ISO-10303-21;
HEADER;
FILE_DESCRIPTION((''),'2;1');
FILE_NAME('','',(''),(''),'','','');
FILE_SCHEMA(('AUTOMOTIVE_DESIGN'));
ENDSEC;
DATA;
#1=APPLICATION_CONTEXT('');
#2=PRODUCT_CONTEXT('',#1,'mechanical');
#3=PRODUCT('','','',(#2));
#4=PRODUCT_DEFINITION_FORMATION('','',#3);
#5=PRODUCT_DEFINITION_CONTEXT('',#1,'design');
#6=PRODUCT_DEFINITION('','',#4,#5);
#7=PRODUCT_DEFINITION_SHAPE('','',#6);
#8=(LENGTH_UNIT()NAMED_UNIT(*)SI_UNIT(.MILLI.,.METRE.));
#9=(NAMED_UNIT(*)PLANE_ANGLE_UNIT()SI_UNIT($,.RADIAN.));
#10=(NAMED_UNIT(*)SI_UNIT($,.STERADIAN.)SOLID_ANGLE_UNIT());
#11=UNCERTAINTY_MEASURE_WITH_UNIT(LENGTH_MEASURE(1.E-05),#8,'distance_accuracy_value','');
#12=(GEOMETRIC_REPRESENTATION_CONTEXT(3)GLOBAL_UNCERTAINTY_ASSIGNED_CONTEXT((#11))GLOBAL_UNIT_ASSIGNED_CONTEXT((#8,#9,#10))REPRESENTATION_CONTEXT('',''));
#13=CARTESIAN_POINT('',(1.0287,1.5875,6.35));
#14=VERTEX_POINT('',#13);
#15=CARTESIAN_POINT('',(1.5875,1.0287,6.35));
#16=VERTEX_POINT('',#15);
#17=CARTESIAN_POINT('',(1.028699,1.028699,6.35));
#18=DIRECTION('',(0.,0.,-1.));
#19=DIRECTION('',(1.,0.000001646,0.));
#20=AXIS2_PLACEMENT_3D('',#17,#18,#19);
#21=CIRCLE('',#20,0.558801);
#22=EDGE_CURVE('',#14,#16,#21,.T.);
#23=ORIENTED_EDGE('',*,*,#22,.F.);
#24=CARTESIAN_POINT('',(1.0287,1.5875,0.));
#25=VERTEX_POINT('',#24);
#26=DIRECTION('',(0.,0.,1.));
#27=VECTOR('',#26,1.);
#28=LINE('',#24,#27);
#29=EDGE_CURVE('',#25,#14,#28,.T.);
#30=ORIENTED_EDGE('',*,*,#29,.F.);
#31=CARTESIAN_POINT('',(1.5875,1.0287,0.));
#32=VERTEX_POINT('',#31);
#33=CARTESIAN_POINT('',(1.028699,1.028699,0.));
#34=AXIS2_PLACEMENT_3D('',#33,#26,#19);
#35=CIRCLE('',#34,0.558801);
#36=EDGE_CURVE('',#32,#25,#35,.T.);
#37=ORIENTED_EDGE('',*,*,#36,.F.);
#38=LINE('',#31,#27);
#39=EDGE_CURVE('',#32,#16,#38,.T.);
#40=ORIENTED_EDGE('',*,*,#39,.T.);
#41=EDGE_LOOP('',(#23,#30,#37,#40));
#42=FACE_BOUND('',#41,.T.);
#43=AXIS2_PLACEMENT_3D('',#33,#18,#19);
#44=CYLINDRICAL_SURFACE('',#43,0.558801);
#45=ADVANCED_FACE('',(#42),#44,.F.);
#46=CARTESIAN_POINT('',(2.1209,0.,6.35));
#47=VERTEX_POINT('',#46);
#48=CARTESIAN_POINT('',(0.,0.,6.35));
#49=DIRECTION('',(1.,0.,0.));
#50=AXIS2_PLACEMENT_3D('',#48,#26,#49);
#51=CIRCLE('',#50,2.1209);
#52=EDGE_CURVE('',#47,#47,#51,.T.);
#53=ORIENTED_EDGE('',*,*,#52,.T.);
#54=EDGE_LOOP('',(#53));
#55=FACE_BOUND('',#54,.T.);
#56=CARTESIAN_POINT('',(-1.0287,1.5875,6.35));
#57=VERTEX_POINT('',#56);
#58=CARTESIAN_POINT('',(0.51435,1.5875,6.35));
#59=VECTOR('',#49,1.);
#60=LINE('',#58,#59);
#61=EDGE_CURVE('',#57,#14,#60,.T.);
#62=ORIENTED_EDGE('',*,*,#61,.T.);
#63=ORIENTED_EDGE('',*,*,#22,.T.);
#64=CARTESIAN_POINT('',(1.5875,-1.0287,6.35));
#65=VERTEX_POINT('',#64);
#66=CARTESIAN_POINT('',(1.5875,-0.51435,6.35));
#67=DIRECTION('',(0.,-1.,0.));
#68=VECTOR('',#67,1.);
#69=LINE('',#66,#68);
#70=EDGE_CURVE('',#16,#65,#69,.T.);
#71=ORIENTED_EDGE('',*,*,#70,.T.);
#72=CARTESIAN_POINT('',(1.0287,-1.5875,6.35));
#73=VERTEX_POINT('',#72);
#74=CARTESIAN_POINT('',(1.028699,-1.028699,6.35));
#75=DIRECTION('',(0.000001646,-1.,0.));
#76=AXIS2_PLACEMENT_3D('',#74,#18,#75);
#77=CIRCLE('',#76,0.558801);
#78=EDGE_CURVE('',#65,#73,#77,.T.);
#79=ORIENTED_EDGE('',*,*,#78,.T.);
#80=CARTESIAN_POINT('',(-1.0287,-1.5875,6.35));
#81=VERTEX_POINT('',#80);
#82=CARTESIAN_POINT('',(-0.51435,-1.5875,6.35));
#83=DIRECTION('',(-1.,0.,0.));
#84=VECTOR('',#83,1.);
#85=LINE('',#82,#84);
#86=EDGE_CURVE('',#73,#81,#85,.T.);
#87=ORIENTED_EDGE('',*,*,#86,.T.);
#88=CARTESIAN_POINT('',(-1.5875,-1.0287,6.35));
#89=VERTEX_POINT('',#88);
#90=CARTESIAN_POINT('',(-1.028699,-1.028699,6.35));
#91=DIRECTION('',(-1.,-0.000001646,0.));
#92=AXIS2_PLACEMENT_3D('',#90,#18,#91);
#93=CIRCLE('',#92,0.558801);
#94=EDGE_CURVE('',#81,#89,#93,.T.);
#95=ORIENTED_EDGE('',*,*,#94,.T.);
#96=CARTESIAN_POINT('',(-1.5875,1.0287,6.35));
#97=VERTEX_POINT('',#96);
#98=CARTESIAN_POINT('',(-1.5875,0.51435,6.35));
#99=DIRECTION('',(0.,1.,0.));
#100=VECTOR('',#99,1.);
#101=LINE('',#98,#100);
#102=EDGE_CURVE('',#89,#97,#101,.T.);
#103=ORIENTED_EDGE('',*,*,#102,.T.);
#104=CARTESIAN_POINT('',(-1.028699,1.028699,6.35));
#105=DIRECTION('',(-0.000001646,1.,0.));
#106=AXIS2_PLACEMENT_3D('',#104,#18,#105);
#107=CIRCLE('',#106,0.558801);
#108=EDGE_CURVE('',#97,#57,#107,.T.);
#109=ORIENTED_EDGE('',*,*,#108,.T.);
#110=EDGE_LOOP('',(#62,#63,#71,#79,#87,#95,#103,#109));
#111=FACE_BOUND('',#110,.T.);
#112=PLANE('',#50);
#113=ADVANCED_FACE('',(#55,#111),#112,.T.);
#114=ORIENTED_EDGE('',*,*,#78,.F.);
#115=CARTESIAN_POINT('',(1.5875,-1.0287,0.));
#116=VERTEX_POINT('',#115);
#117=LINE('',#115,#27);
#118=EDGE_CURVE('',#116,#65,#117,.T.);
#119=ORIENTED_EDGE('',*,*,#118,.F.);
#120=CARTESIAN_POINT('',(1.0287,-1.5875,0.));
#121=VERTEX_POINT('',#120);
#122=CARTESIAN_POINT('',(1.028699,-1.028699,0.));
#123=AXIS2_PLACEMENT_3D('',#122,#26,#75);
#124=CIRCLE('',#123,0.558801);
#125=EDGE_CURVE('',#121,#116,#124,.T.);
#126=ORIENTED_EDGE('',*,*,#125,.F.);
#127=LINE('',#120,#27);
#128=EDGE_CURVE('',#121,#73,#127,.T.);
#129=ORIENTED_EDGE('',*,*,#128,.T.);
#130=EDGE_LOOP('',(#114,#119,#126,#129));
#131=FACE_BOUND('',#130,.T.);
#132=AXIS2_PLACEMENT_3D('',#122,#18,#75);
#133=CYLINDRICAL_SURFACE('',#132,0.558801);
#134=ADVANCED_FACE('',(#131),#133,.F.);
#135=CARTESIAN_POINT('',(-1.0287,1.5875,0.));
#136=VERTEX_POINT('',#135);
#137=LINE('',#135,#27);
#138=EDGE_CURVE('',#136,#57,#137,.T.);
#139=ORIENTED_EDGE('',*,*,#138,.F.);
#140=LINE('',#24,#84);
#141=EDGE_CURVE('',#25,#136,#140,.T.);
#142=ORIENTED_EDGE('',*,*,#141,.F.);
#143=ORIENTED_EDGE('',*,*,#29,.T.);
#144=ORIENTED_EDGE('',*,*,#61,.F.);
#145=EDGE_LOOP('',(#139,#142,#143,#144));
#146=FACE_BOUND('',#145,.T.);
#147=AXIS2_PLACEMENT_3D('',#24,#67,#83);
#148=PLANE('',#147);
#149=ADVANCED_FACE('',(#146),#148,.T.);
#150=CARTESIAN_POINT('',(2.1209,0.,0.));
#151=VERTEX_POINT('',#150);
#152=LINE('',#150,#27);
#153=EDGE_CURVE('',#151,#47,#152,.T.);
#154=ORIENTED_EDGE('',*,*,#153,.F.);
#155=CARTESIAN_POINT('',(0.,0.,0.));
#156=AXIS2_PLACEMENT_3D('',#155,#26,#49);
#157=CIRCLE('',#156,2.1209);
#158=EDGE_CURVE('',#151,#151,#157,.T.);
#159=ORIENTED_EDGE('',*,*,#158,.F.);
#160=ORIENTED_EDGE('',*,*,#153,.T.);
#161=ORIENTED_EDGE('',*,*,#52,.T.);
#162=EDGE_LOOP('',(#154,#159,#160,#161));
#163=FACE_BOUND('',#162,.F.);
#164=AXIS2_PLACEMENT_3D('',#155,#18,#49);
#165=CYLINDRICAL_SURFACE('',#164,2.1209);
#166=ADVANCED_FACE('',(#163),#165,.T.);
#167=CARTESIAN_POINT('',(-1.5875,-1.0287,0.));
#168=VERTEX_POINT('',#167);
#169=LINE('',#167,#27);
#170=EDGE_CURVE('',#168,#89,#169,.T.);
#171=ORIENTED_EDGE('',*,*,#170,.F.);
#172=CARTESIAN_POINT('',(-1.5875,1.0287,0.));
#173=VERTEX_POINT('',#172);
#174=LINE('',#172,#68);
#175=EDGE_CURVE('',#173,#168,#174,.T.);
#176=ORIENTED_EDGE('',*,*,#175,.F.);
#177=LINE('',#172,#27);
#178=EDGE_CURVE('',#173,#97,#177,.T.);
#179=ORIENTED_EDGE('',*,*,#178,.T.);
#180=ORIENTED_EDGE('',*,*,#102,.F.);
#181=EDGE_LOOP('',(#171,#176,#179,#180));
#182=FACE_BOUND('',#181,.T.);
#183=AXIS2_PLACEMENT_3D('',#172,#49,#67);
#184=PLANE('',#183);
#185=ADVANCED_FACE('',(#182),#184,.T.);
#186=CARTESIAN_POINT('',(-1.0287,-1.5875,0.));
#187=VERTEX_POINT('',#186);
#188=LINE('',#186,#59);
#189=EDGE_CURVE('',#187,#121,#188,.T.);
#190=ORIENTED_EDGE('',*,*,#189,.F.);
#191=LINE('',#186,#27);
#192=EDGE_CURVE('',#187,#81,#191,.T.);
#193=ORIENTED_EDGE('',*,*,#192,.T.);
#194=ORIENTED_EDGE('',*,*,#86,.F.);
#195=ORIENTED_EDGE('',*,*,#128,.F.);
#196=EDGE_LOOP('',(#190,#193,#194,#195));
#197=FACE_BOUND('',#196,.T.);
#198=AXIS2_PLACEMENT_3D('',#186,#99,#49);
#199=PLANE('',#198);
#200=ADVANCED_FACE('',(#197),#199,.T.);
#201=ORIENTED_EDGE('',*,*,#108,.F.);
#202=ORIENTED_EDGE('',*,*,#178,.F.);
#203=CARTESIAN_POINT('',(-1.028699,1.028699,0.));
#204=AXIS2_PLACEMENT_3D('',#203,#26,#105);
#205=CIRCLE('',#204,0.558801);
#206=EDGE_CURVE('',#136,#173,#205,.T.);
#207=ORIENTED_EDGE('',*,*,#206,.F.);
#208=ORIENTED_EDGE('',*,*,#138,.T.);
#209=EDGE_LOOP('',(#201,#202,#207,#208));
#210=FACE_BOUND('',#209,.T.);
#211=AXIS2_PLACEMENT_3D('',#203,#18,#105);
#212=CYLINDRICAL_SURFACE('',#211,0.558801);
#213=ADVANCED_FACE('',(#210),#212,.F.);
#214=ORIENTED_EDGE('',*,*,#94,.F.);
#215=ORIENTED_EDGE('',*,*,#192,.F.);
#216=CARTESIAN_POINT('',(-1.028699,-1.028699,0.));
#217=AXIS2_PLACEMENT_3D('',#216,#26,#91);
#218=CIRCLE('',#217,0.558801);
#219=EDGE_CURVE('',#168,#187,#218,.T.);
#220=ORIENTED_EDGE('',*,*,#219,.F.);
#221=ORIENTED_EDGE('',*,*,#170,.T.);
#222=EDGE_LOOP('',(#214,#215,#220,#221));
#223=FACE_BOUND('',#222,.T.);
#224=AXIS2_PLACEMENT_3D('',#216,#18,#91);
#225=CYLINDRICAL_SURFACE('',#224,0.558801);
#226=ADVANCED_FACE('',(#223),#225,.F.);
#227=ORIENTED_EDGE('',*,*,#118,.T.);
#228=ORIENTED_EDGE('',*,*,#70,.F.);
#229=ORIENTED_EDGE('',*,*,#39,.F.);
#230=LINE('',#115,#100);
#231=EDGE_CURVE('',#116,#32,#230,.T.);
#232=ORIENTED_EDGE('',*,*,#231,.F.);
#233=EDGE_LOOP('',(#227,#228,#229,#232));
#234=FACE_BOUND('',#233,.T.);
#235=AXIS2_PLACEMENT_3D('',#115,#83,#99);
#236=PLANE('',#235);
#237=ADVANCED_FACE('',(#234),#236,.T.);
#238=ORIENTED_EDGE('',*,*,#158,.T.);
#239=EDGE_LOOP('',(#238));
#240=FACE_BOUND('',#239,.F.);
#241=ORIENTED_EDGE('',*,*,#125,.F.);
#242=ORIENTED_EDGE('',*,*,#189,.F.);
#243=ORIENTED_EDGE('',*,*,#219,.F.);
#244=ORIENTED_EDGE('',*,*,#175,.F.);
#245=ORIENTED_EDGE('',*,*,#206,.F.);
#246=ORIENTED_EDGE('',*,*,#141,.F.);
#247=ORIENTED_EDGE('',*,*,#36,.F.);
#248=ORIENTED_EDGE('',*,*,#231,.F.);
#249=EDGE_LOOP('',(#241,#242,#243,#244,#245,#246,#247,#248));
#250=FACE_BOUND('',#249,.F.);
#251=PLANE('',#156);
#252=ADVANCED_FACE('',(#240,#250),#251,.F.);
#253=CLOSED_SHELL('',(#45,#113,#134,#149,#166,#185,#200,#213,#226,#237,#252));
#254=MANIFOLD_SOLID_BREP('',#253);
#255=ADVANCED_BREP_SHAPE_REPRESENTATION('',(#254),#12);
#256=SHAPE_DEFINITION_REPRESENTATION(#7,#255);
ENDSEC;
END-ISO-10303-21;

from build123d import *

# Parameters (mm, degrees)
F0_R     = 2.1209
F1_DEPTH = 6.35
F3_DEPTH = 25.4


with BuildPart() as f1:
    # F0 (on Top) → F1 (new body)
    with BuildSketch(Plane.XY):
        Circle(F0_R)
    extrude(amount=F1_DEPTH)

    # F2 (on Top) → F3 (cut)
    with BuildSketch(Plane.XY):
        with BuildLine():
            Line((1.0287, 1.5875), (-1.0287, 1.5875))
            ThreePointArc((-1.0287, 1.5875), (-1.423831, 1.423831), (-1.5875, 1.0287))
            Line((-1.5875, 1.0287), (-1.5875, -1.0287))
            ThreePointArc((-1.5875, -1.0287), (-1.423831, -1.423831), (-1.0287, -1.5875))
            Line((-1.0287, -1.5875), (1.0287, -1.5875))
            ThreePointArc((1.0287, -1.5875), (1.423831, -1.423831), (1.5875, -1.0287))
            Line((1.5875, -1.0287), (1.5875, 1.0287))
            ThreePointArc((1.5875, 1.0287), (1.423831, 1.423831), (1.0287, 1.5875))
        make_face()
    extrude(amount=F3_DEPTH, mode=Mode.SUBTRACT)


solid = f1.part
